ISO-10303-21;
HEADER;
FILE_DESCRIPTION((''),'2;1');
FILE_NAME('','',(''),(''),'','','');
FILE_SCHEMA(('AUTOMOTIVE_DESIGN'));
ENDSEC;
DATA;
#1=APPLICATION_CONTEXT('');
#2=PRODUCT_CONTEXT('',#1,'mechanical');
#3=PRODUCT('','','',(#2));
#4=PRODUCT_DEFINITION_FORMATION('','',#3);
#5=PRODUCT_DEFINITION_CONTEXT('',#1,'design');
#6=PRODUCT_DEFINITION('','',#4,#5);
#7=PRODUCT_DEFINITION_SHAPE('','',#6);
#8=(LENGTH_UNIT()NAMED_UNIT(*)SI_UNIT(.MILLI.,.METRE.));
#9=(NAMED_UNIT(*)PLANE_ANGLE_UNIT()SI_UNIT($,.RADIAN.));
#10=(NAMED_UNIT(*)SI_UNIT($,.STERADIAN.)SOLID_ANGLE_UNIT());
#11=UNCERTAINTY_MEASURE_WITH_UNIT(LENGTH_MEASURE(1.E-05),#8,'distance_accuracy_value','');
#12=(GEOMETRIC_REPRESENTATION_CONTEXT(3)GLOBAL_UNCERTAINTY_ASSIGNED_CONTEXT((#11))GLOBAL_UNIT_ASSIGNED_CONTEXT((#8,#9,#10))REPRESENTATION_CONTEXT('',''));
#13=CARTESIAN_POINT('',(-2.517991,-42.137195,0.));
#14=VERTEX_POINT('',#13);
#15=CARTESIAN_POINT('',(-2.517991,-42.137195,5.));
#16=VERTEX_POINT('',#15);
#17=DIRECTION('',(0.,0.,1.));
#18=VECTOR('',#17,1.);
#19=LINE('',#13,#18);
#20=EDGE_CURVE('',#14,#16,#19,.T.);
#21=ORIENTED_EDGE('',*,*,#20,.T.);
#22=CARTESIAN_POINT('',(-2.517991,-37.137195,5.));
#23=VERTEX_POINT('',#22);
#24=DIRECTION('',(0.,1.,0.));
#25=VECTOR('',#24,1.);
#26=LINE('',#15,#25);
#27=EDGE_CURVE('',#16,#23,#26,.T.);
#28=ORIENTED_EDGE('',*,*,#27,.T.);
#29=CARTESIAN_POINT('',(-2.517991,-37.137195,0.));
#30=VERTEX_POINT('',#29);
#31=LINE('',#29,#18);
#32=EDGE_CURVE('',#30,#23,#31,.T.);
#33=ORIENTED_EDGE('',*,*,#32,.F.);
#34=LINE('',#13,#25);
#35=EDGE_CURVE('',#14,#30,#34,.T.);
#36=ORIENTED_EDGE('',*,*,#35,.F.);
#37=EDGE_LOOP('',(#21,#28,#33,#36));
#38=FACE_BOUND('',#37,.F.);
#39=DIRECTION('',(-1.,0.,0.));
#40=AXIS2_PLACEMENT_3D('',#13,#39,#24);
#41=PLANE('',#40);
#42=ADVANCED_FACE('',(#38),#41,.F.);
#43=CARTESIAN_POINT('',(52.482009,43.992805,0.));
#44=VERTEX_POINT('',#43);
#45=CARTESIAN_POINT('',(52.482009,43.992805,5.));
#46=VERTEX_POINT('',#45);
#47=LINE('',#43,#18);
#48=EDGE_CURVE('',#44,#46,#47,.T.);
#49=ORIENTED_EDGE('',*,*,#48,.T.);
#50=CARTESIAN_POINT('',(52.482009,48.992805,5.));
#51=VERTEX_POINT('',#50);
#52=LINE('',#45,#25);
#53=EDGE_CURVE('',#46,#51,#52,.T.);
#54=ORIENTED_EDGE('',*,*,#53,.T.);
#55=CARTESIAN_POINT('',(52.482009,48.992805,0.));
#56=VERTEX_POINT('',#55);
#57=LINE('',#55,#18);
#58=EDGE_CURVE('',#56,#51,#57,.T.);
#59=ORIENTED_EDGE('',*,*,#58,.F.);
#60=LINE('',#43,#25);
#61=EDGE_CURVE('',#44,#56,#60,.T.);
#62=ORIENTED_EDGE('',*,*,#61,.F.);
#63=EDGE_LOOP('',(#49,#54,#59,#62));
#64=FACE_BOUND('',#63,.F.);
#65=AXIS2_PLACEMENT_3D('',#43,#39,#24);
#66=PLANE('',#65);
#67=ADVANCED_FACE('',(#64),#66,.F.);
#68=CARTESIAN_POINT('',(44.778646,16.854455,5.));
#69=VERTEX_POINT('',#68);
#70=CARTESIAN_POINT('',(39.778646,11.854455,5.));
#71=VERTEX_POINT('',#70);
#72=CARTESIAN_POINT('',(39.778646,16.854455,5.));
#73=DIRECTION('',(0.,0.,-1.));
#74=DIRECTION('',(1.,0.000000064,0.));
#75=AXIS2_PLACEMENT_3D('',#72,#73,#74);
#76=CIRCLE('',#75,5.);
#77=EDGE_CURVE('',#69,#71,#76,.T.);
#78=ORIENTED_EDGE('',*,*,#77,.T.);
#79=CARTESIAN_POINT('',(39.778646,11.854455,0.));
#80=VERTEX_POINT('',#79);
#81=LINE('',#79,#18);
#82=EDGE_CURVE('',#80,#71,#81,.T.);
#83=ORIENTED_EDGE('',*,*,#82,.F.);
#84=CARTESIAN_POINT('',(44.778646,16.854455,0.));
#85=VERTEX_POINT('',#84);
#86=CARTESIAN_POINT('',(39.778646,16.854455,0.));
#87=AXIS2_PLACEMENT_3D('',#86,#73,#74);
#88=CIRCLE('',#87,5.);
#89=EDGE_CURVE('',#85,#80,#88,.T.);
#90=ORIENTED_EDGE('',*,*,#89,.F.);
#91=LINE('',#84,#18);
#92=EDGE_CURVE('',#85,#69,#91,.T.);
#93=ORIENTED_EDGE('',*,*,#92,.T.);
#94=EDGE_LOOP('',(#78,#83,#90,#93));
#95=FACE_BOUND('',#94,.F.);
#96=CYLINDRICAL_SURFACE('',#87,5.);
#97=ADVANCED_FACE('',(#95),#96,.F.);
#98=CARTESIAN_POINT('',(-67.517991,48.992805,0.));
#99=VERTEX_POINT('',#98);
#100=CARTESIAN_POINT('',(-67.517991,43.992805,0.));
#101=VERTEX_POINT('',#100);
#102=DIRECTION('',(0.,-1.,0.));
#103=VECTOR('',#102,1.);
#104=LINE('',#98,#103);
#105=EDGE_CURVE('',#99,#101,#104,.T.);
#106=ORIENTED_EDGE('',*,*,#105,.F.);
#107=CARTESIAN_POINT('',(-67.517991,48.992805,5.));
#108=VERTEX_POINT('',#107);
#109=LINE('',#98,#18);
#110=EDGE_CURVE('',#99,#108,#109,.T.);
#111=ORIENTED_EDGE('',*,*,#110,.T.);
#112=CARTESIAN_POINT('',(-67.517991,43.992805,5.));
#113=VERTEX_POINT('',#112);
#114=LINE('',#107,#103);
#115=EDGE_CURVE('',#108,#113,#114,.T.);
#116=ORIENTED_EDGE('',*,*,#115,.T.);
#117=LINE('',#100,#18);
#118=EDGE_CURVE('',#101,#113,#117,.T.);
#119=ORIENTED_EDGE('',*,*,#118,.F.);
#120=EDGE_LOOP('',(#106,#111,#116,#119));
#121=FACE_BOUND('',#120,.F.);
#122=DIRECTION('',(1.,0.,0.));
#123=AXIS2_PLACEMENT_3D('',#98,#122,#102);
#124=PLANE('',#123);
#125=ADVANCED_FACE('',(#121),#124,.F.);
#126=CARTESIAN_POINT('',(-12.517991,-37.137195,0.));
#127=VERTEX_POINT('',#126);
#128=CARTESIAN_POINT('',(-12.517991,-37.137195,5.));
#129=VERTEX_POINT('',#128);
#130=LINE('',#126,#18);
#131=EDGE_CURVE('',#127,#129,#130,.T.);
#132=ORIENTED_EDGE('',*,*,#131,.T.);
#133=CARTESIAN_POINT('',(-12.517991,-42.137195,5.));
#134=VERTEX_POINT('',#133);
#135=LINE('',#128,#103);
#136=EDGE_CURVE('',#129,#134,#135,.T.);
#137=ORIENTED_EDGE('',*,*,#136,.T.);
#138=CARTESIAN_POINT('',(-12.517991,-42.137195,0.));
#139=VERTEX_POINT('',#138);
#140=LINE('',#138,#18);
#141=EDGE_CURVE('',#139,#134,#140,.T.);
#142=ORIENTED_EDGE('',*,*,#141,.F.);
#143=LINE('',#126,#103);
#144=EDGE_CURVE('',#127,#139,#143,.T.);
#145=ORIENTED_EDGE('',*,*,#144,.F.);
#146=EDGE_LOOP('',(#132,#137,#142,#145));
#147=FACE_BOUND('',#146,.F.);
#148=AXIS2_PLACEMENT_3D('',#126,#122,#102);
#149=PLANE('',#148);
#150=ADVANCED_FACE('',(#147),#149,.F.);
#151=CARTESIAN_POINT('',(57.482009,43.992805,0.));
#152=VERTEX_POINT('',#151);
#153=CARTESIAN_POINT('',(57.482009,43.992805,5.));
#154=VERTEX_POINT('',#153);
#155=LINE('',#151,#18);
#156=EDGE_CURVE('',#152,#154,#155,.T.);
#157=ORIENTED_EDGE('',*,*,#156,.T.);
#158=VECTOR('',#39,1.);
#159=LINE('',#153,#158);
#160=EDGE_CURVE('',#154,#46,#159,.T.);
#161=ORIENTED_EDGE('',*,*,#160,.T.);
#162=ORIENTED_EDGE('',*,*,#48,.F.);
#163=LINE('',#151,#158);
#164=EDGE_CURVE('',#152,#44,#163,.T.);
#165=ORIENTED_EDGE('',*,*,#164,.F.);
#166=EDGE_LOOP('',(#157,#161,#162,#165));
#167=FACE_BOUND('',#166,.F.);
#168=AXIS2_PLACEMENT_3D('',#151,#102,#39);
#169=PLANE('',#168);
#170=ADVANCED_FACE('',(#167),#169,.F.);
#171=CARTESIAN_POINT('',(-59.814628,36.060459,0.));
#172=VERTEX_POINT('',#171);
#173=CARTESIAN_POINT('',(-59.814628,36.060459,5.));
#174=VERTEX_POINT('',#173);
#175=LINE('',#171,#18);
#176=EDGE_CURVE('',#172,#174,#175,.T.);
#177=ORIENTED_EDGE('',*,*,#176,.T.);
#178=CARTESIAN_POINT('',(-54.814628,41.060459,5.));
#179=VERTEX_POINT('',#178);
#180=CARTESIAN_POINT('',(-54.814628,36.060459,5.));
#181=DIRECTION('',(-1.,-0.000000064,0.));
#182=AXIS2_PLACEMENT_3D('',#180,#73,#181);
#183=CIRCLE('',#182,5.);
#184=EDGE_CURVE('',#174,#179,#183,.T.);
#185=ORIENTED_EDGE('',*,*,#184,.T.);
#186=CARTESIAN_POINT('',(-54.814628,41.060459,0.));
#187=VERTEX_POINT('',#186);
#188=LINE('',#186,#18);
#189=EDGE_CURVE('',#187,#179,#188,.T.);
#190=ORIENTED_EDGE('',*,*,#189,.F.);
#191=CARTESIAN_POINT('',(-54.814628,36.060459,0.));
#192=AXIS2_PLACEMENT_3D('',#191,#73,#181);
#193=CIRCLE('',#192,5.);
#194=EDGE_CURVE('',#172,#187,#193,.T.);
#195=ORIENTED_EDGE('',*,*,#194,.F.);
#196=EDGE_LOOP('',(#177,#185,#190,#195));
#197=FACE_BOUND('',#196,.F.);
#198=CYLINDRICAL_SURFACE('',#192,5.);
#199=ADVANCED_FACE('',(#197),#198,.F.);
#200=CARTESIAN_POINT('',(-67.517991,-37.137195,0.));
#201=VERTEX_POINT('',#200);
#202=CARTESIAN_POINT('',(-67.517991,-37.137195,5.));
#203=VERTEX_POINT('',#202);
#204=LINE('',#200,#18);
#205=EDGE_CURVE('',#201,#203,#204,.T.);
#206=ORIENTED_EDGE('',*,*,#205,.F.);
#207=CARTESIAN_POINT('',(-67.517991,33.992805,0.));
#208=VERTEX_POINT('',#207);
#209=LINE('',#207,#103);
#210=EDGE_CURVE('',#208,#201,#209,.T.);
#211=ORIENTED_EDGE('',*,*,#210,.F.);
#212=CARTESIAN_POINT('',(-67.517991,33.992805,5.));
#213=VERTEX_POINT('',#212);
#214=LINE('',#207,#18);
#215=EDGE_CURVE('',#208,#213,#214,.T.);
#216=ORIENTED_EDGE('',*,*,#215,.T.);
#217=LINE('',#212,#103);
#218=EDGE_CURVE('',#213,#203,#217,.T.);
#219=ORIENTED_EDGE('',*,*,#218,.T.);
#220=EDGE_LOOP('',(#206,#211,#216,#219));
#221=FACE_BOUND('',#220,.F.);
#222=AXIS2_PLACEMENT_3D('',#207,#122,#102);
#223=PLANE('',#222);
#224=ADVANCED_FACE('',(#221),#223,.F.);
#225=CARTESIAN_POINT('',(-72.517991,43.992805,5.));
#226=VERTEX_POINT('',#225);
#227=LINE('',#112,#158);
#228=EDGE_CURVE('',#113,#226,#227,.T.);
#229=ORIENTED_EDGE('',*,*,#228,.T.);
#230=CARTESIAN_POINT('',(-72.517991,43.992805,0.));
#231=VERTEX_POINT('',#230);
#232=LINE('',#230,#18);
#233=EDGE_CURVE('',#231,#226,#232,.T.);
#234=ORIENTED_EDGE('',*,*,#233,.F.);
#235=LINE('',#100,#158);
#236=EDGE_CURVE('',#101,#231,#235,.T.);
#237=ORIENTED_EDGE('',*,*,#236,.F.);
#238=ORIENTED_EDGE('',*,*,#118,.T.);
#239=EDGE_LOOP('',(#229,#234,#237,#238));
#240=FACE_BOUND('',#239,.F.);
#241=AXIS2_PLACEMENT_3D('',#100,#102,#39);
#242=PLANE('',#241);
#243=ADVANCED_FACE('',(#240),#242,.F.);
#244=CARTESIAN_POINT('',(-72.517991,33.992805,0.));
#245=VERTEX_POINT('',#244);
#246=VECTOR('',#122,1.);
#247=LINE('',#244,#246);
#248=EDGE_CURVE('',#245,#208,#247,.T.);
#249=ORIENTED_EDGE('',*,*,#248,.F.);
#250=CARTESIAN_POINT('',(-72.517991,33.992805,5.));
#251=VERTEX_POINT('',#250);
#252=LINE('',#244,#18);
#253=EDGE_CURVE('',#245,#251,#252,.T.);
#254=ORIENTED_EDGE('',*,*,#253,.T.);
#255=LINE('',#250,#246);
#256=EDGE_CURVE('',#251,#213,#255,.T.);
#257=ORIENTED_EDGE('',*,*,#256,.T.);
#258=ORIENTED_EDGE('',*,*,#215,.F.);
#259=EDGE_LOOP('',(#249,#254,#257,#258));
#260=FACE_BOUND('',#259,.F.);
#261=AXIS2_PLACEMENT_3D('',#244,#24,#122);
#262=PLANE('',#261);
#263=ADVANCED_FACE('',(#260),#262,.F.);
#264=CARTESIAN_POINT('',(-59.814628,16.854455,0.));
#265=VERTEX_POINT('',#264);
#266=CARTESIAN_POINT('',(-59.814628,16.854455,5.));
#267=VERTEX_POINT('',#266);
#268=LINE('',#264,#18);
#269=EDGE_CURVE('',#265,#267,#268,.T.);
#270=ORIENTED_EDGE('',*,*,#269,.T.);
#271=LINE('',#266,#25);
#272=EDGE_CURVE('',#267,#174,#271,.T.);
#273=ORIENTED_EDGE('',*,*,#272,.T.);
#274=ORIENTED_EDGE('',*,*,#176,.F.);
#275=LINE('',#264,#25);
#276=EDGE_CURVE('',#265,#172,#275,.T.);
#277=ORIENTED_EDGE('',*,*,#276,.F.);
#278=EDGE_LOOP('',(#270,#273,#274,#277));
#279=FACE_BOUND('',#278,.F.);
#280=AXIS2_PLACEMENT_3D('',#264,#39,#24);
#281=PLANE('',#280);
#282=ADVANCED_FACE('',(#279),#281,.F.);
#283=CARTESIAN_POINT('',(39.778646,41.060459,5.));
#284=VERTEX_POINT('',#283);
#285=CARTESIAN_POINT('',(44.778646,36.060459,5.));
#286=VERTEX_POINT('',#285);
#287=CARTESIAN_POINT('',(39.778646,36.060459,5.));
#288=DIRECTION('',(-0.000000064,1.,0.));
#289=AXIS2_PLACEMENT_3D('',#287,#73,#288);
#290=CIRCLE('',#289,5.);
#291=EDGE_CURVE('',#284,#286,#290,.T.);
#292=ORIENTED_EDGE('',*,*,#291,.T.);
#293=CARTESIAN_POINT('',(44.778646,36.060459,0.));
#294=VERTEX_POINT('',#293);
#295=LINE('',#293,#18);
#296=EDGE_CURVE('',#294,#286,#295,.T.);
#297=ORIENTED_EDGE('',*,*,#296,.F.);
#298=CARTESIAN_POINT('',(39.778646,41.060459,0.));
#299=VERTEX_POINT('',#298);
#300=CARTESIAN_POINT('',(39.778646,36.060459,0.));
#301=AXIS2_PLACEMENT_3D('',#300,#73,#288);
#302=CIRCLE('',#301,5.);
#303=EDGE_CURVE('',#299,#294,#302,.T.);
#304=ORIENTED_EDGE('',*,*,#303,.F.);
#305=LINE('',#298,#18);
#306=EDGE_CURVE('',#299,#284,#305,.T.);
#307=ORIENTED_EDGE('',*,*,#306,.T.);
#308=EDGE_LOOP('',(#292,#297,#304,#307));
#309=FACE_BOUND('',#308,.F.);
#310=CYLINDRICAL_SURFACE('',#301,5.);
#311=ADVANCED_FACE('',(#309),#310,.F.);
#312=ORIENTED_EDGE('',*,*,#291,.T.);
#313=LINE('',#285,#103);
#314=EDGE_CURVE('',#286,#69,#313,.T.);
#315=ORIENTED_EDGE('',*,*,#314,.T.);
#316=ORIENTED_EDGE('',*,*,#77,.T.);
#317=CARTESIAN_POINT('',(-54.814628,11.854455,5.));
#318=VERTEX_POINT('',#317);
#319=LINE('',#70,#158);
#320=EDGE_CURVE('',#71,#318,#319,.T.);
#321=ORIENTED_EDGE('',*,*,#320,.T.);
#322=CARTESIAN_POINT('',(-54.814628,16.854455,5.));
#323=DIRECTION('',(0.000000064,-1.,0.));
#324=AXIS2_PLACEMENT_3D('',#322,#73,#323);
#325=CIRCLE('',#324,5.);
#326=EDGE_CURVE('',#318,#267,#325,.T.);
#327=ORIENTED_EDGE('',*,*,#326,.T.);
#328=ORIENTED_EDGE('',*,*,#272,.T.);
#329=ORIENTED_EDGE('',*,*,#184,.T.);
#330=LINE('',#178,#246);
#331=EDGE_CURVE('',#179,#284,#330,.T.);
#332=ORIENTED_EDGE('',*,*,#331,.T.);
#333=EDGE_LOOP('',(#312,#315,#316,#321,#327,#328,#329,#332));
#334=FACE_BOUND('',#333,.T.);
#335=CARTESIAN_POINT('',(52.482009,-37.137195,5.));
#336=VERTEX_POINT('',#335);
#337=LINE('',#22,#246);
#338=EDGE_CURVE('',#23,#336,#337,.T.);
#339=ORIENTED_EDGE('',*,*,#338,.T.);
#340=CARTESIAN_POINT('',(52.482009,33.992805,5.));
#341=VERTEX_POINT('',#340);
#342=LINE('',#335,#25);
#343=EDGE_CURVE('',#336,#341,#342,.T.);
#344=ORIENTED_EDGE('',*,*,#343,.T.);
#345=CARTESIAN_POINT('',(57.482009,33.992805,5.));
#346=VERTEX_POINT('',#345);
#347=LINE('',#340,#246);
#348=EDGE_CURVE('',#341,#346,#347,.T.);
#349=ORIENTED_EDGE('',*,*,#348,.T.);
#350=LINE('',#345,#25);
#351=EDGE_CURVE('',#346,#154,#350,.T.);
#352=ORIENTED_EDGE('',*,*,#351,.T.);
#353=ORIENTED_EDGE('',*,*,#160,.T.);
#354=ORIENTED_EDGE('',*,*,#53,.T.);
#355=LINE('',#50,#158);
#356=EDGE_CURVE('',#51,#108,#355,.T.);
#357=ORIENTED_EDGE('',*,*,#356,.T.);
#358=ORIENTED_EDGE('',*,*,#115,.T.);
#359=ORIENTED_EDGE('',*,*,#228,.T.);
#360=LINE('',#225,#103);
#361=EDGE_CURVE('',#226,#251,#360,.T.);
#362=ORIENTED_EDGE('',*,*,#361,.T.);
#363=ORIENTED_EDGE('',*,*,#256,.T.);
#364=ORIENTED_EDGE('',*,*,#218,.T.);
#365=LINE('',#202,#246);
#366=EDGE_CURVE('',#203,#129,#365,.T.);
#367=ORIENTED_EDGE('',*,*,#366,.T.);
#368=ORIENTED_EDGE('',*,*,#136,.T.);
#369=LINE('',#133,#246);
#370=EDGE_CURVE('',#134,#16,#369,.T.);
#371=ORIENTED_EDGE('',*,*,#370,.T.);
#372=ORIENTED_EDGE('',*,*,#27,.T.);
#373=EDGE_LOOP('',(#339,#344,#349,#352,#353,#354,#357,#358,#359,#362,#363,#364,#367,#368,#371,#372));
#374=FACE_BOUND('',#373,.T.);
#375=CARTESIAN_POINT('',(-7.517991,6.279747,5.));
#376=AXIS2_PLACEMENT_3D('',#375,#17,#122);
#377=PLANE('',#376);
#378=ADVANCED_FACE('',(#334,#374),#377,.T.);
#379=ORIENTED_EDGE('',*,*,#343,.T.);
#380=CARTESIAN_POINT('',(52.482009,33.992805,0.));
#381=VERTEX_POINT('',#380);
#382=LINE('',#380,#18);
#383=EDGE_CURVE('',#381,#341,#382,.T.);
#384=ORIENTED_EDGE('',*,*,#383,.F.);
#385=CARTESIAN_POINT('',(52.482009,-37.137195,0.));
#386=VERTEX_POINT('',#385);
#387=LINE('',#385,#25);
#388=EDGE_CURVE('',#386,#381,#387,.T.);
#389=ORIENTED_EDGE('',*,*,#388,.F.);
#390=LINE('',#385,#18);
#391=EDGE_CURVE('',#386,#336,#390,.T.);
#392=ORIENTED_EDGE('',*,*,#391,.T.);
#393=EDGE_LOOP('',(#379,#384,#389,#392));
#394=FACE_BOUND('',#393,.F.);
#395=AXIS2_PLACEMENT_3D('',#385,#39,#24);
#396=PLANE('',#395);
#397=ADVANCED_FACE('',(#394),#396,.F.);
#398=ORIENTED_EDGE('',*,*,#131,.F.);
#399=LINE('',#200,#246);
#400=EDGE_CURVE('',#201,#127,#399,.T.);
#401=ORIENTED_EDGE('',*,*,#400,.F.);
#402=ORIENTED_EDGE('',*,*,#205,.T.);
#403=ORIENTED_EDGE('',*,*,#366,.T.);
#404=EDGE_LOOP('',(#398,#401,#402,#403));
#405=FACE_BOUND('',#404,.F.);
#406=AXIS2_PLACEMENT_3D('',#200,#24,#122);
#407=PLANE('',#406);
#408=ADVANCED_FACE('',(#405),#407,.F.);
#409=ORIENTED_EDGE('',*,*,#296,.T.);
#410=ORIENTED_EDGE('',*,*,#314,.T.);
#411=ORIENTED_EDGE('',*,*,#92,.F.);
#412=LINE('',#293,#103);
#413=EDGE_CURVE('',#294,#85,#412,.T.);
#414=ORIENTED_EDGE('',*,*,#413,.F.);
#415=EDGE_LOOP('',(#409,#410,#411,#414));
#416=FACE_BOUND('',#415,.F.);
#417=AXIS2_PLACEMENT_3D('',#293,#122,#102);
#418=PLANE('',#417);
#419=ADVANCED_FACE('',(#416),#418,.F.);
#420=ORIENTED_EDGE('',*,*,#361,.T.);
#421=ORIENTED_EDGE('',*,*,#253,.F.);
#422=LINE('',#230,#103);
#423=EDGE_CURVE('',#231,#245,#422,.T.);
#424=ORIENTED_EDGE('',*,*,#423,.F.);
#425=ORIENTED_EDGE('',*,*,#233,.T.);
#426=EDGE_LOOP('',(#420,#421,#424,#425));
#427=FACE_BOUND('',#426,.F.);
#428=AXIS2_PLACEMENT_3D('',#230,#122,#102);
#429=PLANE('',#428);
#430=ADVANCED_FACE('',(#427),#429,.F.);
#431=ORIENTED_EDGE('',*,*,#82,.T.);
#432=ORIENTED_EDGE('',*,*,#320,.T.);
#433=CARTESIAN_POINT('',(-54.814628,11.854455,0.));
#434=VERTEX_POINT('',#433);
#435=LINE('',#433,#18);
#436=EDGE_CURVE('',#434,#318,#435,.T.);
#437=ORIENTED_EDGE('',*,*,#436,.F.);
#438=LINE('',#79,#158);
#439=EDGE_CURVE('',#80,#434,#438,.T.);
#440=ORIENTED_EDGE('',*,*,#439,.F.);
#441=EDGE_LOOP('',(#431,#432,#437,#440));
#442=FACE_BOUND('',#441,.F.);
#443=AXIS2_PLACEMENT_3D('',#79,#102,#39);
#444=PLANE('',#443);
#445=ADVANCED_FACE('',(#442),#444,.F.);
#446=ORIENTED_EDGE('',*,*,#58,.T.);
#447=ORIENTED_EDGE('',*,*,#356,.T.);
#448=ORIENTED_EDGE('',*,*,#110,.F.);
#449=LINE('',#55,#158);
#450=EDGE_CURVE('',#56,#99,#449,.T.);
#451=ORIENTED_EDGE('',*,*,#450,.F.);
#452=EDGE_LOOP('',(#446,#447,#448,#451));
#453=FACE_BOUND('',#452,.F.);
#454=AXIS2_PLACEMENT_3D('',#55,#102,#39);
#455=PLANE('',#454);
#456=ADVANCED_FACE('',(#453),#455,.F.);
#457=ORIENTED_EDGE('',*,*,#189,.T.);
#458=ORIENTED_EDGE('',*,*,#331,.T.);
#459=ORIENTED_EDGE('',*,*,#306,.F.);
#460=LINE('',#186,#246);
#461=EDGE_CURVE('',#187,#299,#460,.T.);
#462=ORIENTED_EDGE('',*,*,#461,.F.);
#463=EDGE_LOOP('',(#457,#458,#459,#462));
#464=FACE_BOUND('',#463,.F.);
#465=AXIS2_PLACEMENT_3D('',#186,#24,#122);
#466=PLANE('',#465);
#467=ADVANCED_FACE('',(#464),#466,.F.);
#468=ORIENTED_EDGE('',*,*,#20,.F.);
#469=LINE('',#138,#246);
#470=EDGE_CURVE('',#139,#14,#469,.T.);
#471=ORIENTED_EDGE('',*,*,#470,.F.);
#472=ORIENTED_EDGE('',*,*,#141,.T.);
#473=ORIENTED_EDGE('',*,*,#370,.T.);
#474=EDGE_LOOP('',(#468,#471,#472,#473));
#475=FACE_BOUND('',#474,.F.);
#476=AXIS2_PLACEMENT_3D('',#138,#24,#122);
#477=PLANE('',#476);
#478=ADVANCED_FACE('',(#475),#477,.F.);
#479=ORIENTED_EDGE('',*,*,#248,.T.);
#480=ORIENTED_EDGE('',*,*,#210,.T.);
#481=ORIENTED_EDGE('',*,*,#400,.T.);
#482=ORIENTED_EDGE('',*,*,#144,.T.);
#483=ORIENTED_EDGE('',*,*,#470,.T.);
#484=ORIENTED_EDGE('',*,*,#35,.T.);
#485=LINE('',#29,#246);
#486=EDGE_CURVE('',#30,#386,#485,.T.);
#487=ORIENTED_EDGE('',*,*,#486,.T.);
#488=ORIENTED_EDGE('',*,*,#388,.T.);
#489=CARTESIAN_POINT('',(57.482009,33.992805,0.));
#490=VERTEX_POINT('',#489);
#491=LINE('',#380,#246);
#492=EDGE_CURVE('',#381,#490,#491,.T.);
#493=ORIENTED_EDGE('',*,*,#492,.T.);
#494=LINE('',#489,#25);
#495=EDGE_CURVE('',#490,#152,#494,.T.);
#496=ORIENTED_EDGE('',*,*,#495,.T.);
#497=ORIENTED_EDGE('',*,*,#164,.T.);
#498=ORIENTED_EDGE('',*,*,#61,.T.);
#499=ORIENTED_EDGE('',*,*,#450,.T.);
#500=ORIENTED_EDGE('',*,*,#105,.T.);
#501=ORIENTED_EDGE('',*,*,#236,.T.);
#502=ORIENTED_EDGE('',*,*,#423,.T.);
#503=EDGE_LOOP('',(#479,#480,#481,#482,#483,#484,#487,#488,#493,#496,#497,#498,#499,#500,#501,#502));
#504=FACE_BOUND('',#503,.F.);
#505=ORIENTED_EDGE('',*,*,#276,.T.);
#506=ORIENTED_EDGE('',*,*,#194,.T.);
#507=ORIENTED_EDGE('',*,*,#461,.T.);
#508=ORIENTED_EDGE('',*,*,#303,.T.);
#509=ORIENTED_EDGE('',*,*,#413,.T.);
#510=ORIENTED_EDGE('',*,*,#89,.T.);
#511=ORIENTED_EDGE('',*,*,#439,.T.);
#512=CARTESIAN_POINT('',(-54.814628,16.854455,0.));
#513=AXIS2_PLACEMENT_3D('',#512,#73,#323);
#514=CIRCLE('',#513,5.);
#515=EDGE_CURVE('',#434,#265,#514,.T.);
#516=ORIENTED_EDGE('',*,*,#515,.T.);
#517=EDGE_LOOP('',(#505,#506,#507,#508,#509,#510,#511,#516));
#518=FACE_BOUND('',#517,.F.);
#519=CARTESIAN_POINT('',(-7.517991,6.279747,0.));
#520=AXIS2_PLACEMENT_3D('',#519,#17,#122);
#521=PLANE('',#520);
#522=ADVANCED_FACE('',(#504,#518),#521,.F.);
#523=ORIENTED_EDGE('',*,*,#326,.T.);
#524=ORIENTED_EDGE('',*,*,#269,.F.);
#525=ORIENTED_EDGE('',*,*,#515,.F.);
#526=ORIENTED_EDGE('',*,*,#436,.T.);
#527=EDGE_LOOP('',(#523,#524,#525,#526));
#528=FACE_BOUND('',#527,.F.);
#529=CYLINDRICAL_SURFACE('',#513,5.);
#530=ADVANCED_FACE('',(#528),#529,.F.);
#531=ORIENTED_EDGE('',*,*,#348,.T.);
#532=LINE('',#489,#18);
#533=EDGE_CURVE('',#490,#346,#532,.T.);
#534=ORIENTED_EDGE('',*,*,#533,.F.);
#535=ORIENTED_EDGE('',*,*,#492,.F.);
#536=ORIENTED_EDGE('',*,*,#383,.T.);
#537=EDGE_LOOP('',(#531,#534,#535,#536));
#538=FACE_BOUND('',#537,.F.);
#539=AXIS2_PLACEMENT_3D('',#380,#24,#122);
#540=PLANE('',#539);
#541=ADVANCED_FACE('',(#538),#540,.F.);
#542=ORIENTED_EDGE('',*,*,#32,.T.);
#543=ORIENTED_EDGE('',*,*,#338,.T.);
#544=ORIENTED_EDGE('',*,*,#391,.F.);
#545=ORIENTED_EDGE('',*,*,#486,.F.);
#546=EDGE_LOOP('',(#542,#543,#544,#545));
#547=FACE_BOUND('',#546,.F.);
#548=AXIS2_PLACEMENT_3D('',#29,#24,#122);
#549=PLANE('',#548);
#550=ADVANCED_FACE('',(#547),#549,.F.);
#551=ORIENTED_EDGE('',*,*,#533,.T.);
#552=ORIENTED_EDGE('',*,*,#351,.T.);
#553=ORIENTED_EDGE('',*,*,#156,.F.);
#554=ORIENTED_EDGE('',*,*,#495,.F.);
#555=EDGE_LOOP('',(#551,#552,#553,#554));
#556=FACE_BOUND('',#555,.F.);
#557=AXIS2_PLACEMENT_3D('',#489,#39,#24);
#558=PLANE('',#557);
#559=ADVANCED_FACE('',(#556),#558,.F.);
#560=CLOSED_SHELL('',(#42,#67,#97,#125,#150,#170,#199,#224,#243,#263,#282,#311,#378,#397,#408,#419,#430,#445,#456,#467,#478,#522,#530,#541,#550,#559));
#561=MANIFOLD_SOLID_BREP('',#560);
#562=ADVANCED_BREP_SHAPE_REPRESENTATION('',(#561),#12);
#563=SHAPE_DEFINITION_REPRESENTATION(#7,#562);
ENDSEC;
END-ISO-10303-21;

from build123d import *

# Parameters (mm, degrees)
F1_DEPTH = 5


with BuildPart() as f1:
    # F0 (on Top) → F1 (new body)
    with BuildSketch(Plane.XY):
        Polygon((-2.517991, -42.137195), (-2.517991, -37.137195), (47.482009, -37.137195), (52.482009, -37.137195), (52.482009, 20.923738), (52.482009, 33.992805), (57.482009, 33.992805), (57.482009, 43.992805), (52.482009, 43.992805), (52.482009, 48.992805), (-67.517991, 48.992805), (-67.517991, 43.992805), (-72.517991, 43.992805), (-72.517991, 33.992805), (-67.517991, 33.992805), (-67.517991, 20.923738), (-67.517991, -37.137195), (-62.517991, -37.137195), (-12.517991, -37.137195), (-12.517991, -42.137195), align=None)
        with BuildLine():
            ThreePointArc((-59.814628, 36.060459), (-58.350162, 39.595993), (-54.814628, 41.060459))
            Line((-54.814628, 41.060459), (39.778646, 41.060459))
            ThreePointArc((39.778646, 41.060459), (43.31418, 39.595993), (44.778646, 36.060459))
            Line((44.778646, 36.060459), (44.778646, 16.854455))
            ThreePointArc((44.778646, 16.854455), (43.31418, 13.318921), (39.778646, 11.854455))
            Line((39.778646, 11.854455), (-54.814628, 11.854455))
            ThreePointArc((-54.814628, 11.854455), (-58.350162, 13.318921), (-59.814628, 16.854455))
            Line((-59.814628, 16.854455), (-59.814628, 36.060459))
        make_face(mode=Mode.SUBTRACT)
    extrude(amount=F1_DEPTH)


solid = f1.part
